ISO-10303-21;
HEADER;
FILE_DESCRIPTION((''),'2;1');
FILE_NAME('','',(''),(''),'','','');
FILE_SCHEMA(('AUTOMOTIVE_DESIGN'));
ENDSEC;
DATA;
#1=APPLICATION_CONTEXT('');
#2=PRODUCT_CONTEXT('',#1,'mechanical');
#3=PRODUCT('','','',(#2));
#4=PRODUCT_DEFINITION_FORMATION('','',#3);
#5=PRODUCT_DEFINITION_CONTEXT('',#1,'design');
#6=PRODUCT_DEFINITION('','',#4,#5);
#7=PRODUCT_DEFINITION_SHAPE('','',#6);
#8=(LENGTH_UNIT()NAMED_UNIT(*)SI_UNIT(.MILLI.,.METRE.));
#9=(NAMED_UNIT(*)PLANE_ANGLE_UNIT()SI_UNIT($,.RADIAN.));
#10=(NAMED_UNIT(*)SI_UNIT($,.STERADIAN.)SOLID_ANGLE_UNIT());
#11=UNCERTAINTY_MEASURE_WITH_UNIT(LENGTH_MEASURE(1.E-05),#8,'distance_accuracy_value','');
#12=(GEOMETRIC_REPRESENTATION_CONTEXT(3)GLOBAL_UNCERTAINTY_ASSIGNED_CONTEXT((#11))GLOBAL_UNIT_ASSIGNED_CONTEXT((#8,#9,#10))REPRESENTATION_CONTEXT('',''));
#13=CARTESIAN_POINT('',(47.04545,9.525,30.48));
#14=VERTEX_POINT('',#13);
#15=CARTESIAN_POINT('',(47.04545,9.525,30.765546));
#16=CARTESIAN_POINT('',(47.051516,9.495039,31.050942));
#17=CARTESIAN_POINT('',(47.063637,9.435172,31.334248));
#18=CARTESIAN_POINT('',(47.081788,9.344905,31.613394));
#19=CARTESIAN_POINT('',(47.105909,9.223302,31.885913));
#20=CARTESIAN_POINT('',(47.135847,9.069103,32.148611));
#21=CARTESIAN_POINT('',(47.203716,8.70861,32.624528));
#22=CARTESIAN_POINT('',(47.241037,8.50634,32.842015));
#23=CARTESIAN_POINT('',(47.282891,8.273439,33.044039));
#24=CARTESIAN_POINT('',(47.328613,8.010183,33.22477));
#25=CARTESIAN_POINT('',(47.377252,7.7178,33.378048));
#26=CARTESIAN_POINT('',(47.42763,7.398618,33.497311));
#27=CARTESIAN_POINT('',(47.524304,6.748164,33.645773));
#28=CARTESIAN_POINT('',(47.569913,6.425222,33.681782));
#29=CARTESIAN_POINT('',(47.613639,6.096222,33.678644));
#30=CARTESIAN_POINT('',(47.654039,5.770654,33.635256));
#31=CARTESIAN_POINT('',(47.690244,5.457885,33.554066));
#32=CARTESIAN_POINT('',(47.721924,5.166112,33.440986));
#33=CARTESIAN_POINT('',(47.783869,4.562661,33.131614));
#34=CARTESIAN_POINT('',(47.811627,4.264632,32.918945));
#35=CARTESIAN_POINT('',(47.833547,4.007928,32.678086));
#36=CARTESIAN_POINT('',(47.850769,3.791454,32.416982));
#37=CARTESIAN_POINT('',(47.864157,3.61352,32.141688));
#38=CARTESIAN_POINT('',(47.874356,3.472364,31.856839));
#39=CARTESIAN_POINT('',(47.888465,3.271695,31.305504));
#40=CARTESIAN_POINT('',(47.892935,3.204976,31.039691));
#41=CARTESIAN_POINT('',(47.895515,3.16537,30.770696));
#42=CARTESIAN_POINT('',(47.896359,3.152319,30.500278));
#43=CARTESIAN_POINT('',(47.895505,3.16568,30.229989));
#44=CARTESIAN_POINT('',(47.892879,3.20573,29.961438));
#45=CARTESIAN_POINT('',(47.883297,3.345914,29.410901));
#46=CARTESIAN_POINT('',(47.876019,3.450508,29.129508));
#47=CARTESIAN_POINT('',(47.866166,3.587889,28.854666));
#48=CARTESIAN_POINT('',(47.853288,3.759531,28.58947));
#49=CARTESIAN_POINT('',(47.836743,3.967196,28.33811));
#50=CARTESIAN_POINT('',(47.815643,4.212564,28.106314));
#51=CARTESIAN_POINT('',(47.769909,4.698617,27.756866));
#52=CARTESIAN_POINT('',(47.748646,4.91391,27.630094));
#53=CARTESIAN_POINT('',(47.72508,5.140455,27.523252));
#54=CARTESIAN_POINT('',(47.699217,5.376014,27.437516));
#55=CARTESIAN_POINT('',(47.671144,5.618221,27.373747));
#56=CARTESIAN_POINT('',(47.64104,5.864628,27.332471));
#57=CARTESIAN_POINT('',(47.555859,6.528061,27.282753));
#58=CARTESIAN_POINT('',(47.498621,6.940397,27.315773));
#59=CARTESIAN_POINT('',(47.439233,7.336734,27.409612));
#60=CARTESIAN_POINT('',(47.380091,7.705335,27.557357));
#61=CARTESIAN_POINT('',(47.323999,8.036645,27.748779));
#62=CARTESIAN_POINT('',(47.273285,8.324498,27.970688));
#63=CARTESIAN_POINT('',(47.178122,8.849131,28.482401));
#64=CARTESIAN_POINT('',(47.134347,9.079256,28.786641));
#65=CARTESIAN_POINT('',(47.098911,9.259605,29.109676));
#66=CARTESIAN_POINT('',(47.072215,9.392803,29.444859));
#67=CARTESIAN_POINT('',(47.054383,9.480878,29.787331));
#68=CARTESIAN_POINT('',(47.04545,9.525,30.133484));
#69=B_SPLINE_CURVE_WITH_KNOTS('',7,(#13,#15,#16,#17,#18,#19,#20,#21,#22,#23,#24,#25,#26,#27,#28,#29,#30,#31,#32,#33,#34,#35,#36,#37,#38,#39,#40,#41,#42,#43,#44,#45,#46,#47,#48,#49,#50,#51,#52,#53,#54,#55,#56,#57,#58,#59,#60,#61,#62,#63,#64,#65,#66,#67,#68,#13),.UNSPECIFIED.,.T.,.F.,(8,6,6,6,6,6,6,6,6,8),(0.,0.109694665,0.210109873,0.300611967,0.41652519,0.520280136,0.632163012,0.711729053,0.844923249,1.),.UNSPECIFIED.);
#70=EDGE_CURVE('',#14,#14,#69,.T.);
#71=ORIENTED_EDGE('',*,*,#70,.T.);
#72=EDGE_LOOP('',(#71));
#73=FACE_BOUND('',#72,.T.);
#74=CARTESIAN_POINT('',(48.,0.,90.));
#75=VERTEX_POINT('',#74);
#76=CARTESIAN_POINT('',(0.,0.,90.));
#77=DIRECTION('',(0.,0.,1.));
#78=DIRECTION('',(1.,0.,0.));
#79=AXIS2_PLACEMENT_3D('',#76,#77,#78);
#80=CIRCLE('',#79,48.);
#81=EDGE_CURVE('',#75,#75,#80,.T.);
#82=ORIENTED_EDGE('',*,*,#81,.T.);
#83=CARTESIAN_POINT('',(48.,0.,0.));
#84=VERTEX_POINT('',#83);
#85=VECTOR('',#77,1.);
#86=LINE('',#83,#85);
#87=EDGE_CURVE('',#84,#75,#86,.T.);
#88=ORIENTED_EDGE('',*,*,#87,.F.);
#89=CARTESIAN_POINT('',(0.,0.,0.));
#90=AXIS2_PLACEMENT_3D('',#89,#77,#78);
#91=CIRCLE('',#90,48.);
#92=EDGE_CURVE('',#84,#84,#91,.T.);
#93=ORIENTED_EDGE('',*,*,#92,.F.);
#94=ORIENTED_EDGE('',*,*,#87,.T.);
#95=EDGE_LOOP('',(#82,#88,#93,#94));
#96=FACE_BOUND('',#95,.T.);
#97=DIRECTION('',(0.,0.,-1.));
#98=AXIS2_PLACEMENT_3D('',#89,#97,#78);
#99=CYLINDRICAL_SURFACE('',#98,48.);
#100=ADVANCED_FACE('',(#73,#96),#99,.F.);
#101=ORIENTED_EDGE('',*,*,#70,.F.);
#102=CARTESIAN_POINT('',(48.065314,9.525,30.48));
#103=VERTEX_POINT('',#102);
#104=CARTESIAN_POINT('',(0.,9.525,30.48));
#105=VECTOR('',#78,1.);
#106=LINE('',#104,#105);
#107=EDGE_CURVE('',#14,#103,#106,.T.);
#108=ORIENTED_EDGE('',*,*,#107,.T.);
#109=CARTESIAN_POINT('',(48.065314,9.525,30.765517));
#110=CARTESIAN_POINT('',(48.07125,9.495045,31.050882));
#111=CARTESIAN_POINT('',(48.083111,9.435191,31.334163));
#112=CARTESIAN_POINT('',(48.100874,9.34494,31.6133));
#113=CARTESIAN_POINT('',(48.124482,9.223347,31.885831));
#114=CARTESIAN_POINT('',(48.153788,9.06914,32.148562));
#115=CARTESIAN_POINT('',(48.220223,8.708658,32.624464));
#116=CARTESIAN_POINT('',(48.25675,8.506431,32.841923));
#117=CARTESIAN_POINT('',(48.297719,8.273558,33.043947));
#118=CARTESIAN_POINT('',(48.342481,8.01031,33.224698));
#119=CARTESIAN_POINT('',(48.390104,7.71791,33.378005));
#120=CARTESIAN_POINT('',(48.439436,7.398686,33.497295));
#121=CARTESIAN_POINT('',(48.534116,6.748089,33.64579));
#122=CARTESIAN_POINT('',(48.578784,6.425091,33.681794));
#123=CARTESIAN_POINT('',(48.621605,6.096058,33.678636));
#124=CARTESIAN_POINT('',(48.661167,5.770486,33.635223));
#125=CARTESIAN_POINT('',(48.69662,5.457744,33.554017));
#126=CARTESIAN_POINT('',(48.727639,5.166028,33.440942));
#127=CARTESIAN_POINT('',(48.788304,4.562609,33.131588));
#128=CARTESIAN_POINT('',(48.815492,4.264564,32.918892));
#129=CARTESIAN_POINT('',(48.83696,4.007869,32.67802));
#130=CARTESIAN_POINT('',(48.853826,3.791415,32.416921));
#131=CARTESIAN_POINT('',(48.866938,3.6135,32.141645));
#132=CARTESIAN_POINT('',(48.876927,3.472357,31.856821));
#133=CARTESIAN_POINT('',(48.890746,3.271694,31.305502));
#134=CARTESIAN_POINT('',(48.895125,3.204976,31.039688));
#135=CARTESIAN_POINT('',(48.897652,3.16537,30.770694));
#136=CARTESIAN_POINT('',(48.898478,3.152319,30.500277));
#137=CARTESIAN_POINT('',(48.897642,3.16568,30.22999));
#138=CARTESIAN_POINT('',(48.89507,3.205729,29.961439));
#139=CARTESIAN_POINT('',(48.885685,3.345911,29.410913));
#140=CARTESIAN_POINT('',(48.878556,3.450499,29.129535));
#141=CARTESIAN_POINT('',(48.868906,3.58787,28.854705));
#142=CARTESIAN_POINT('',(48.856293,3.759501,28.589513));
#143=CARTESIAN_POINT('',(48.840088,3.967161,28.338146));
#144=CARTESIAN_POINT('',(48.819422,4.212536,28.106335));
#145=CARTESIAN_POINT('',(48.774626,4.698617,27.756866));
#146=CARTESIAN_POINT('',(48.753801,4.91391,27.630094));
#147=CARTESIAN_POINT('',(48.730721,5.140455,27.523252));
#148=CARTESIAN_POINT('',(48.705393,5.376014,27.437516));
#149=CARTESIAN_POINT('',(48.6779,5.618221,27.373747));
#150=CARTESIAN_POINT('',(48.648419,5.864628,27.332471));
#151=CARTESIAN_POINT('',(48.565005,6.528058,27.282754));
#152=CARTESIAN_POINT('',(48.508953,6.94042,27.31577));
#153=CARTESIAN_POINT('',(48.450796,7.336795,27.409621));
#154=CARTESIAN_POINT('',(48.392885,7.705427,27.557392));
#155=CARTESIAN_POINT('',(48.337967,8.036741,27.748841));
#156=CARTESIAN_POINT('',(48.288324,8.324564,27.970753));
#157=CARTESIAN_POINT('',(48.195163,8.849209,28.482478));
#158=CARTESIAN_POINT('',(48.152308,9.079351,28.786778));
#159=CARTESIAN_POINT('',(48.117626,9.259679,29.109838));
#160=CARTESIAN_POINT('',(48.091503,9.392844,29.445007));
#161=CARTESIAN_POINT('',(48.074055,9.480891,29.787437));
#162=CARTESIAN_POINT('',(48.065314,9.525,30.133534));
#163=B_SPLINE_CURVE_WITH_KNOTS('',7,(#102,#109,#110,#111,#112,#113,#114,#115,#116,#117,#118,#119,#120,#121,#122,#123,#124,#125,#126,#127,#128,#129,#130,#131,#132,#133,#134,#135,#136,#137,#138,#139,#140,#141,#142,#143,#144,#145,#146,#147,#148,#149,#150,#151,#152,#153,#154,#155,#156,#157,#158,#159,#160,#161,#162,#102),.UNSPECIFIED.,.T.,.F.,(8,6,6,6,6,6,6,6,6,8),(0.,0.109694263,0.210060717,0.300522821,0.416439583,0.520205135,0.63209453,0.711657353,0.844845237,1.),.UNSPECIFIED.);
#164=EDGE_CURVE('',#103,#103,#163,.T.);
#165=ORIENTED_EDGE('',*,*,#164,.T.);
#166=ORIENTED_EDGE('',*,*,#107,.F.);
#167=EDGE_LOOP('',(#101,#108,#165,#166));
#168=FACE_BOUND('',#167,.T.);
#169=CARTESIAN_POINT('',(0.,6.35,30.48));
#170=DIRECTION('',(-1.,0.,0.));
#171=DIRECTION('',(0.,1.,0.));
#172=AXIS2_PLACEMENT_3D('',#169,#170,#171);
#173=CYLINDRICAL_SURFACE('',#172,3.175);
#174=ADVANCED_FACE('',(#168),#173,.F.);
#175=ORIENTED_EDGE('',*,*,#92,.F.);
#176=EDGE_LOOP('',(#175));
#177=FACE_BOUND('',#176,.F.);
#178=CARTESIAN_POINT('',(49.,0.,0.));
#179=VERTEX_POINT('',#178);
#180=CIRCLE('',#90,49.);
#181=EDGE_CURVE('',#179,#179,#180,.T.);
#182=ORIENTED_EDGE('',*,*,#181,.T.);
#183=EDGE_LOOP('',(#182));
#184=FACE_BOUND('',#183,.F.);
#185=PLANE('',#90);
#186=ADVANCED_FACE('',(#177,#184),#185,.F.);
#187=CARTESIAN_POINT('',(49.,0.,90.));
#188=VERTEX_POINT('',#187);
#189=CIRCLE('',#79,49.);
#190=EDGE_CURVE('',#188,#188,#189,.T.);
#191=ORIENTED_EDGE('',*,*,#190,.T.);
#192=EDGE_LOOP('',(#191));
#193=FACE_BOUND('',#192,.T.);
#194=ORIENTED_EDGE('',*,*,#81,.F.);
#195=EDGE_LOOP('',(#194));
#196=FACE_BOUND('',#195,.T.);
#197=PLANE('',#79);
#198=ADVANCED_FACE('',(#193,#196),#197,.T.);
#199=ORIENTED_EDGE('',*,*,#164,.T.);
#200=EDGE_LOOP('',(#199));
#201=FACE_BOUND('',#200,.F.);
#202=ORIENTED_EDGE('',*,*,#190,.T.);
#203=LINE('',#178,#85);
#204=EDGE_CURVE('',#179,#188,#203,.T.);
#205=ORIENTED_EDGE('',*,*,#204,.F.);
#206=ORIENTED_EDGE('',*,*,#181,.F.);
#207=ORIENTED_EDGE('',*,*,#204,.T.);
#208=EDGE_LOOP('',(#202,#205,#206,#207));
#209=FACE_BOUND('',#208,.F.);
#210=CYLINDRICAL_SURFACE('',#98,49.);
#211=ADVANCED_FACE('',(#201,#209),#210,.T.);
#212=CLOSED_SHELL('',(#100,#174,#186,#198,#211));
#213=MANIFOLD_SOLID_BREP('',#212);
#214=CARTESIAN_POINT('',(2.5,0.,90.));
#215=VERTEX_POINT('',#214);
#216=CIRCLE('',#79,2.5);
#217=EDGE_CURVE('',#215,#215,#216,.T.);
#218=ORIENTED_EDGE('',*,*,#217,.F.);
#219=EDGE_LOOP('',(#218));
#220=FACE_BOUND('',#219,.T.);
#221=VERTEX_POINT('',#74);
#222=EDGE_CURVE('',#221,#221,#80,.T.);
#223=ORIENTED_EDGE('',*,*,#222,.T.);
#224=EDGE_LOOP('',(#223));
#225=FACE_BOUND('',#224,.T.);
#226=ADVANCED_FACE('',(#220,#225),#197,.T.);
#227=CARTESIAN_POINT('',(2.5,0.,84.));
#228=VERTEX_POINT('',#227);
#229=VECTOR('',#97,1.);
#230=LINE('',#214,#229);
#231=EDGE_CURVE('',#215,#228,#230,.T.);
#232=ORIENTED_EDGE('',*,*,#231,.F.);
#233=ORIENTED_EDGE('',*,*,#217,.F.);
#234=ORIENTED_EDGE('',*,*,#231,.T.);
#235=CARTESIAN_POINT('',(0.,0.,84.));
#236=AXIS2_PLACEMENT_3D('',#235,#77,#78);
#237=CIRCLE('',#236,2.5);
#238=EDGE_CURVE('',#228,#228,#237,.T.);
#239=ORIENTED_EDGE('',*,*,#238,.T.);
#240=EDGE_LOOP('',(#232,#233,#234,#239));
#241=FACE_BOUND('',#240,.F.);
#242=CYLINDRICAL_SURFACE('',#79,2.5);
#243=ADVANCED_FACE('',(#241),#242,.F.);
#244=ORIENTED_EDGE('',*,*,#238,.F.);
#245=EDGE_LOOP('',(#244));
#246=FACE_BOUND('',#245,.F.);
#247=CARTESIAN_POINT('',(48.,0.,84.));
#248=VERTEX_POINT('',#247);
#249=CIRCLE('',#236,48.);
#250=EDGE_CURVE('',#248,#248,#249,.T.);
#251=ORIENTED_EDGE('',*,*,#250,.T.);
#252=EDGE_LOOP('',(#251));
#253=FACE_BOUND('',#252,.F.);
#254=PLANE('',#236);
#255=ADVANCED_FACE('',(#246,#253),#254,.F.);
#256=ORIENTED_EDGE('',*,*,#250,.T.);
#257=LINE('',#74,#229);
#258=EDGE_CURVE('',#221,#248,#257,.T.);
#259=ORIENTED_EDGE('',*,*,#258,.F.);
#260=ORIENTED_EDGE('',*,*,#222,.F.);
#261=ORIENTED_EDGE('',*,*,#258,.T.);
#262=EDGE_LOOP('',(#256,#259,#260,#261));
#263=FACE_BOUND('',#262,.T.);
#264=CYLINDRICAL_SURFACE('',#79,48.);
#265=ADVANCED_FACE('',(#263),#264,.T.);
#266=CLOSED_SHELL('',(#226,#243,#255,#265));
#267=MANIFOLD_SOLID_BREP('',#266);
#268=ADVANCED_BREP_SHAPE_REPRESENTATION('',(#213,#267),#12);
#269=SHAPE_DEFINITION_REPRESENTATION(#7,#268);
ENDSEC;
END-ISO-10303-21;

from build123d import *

# Parameters (mm, degrees)
F0_R     = 49
F0_R_2   = 48
F1_DEPTH = 90
F2_R     = 48
F2_R_2   = 2.5
F3_DEPTH = 6
F4_R     = 3.175
F5_DEPTH = 127


with BuildPart() as f1:
    # F0 (on Top) → F1 (new body)
    with BuildSketch(Plane.XY):
        Circle(F0_R)
        Circle(F0_R_2, mode=Mode.SUBTRACT)
    extrude(amount=F1_DEPTH)

    # F4 (on Right) → F5 (cut)
    with BuildSketch(Plane.YZ):
        with Locations((6.35, 30.48)):
            Circle(F4_R)
    extrude(amount=F5_DEPTH, mode=Mode.SUBTRACT)


with BuildPart() as f3:
    # F2 (on face) → F3 (new body)
    with BuildSketch(Plane.XY.offset(90)):
        Circle(F2_R)
        Circle(F2_R_2, mode=Mode.SUBTRACT)
    extrude(amount=-F3_DEPTH)


solid = Compound([f1.part, f3.part])
